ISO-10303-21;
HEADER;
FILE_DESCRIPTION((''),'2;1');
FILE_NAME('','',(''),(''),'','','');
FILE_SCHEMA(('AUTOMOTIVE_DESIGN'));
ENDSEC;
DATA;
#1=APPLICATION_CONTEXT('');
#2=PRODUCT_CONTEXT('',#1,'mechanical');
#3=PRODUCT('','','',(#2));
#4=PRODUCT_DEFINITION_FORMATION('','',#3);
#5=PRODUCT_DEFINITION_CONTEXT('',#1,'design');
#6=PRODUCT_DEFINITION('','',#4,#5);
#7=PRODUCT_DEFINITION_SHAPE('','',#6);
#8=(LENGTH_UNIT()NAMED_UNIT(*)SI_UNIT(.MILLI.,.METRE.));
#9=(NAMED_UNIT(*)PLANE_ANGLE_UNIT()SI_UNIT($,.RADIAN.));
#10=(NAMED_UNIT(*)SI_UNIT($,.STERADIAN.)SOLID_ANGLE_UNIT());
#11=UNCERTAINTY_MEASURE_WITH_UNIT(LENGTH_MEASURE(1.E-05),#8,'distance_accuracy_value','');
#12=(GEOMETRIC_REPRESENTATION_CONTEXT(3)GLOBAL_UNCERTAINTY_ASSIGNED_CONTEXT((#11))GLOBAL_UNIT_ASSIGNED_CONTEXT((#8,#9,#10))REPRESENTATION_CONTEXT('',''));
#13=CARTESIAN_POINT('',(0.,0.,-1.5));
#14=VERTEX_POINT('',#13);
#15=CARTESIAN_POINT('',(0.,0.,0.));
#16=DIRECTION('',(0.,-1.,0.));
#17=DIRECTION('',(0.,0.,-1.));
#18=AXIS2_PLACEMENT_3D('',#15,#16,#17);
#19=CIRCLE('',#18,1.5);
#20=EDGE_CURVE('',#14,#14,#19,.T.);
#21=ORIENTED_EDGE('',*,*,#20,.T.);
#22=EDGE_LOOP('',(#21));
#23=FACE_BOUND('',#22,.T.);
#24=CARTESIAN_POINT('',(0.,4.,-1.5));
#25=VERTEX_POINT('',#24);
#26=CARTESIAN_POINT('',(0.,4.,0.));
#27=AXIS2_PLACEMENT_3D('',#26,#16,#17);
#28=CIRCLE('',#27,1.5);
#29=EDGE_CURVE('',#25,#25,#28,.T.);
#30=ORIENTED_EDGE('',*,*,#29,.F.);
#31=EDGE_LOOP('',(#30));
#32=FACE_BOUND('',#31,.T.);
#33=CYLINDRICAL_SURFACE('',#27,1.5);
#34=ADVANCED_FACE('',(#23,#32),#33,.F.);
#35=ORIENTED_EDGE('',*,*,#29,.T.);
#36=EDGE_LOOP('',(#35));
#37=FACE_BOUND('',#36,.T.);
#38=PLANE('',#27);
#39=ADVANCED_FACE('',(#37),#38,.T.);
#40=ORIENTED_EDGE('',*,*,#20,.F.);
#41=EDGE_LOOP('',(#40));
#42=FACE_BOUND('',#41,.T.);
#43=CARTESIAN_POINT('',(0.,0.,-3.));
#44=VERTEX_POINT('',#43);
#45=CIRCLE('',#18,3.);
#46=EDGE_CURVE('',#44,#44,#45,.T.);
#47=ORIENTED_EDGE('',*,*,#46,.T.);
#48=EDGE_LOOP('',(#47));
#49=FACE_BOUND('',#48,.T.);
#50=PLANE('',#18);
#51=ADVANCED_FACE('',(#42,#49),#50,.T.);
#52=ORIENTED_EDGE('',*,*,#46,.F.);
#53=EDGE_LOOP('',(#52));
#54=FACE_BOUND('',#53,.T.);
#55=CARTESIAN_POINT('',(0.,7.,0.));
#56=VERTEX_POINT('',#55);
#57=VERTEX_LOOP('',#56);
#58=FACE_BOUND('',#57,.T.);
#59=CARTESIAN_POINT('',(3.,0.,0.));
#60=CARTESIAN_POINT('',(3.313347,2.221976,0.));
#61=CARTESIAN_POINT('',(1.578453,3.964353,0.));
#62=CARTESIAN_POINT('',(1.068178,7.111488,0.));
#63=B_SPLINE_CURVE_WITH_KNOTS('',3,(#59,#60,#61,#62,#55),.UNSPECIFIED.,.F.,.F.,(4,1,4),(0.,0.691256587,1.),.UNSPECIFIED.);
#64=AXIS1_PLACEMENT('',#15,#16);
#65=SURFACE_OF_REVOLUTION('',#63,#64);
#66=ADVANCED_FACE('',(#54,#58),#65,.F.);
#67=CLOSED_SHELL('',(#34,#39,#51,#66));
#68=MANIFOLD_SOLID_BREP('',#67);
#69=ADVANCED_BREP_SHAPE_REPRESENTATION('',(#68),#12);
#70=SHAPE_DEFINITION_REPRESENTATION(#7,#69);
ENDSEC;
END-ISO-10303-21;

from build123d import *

# Parameters (mm, degrees)
SKETCH3_R          = 1.5
CUT_EXTRUDE1_DEPTH = 4


with BuildPart() as part:
    # Sketch2 → Revolve1 (revolve)
    with BuildSketch(Plane.XY):
        with BuildLine():
            Line((0, 0), (0, 7))
            add(Edge.make_bspline(
                [(0, 7), (1.068178014, 7.111487526), (1.578453493, 3.96435304), (3.313346516, 2.221976179), (3, 0)],
                knots=[0, 0, 0, 0, 0.308743413, 1, 1, 1, 1], degree=3))
            Line((3, 0), (0, 0))
        make_face()
    revolve(axis=Axis((0, 0, 0), (0, 1, 0)))

    # Sketch3 → Cut-Extrude1 (cut)
    with BuildSketch(Plane.XZ):
        with Locations(Location((0, 0, 0), (0, 0, 270))):
            Circle(SKETCH3_R)
    extrude(amount=-CUT_EXTRUDE1_DEPTH, mode=Mode.SUBTRACT)


solid = part.part
